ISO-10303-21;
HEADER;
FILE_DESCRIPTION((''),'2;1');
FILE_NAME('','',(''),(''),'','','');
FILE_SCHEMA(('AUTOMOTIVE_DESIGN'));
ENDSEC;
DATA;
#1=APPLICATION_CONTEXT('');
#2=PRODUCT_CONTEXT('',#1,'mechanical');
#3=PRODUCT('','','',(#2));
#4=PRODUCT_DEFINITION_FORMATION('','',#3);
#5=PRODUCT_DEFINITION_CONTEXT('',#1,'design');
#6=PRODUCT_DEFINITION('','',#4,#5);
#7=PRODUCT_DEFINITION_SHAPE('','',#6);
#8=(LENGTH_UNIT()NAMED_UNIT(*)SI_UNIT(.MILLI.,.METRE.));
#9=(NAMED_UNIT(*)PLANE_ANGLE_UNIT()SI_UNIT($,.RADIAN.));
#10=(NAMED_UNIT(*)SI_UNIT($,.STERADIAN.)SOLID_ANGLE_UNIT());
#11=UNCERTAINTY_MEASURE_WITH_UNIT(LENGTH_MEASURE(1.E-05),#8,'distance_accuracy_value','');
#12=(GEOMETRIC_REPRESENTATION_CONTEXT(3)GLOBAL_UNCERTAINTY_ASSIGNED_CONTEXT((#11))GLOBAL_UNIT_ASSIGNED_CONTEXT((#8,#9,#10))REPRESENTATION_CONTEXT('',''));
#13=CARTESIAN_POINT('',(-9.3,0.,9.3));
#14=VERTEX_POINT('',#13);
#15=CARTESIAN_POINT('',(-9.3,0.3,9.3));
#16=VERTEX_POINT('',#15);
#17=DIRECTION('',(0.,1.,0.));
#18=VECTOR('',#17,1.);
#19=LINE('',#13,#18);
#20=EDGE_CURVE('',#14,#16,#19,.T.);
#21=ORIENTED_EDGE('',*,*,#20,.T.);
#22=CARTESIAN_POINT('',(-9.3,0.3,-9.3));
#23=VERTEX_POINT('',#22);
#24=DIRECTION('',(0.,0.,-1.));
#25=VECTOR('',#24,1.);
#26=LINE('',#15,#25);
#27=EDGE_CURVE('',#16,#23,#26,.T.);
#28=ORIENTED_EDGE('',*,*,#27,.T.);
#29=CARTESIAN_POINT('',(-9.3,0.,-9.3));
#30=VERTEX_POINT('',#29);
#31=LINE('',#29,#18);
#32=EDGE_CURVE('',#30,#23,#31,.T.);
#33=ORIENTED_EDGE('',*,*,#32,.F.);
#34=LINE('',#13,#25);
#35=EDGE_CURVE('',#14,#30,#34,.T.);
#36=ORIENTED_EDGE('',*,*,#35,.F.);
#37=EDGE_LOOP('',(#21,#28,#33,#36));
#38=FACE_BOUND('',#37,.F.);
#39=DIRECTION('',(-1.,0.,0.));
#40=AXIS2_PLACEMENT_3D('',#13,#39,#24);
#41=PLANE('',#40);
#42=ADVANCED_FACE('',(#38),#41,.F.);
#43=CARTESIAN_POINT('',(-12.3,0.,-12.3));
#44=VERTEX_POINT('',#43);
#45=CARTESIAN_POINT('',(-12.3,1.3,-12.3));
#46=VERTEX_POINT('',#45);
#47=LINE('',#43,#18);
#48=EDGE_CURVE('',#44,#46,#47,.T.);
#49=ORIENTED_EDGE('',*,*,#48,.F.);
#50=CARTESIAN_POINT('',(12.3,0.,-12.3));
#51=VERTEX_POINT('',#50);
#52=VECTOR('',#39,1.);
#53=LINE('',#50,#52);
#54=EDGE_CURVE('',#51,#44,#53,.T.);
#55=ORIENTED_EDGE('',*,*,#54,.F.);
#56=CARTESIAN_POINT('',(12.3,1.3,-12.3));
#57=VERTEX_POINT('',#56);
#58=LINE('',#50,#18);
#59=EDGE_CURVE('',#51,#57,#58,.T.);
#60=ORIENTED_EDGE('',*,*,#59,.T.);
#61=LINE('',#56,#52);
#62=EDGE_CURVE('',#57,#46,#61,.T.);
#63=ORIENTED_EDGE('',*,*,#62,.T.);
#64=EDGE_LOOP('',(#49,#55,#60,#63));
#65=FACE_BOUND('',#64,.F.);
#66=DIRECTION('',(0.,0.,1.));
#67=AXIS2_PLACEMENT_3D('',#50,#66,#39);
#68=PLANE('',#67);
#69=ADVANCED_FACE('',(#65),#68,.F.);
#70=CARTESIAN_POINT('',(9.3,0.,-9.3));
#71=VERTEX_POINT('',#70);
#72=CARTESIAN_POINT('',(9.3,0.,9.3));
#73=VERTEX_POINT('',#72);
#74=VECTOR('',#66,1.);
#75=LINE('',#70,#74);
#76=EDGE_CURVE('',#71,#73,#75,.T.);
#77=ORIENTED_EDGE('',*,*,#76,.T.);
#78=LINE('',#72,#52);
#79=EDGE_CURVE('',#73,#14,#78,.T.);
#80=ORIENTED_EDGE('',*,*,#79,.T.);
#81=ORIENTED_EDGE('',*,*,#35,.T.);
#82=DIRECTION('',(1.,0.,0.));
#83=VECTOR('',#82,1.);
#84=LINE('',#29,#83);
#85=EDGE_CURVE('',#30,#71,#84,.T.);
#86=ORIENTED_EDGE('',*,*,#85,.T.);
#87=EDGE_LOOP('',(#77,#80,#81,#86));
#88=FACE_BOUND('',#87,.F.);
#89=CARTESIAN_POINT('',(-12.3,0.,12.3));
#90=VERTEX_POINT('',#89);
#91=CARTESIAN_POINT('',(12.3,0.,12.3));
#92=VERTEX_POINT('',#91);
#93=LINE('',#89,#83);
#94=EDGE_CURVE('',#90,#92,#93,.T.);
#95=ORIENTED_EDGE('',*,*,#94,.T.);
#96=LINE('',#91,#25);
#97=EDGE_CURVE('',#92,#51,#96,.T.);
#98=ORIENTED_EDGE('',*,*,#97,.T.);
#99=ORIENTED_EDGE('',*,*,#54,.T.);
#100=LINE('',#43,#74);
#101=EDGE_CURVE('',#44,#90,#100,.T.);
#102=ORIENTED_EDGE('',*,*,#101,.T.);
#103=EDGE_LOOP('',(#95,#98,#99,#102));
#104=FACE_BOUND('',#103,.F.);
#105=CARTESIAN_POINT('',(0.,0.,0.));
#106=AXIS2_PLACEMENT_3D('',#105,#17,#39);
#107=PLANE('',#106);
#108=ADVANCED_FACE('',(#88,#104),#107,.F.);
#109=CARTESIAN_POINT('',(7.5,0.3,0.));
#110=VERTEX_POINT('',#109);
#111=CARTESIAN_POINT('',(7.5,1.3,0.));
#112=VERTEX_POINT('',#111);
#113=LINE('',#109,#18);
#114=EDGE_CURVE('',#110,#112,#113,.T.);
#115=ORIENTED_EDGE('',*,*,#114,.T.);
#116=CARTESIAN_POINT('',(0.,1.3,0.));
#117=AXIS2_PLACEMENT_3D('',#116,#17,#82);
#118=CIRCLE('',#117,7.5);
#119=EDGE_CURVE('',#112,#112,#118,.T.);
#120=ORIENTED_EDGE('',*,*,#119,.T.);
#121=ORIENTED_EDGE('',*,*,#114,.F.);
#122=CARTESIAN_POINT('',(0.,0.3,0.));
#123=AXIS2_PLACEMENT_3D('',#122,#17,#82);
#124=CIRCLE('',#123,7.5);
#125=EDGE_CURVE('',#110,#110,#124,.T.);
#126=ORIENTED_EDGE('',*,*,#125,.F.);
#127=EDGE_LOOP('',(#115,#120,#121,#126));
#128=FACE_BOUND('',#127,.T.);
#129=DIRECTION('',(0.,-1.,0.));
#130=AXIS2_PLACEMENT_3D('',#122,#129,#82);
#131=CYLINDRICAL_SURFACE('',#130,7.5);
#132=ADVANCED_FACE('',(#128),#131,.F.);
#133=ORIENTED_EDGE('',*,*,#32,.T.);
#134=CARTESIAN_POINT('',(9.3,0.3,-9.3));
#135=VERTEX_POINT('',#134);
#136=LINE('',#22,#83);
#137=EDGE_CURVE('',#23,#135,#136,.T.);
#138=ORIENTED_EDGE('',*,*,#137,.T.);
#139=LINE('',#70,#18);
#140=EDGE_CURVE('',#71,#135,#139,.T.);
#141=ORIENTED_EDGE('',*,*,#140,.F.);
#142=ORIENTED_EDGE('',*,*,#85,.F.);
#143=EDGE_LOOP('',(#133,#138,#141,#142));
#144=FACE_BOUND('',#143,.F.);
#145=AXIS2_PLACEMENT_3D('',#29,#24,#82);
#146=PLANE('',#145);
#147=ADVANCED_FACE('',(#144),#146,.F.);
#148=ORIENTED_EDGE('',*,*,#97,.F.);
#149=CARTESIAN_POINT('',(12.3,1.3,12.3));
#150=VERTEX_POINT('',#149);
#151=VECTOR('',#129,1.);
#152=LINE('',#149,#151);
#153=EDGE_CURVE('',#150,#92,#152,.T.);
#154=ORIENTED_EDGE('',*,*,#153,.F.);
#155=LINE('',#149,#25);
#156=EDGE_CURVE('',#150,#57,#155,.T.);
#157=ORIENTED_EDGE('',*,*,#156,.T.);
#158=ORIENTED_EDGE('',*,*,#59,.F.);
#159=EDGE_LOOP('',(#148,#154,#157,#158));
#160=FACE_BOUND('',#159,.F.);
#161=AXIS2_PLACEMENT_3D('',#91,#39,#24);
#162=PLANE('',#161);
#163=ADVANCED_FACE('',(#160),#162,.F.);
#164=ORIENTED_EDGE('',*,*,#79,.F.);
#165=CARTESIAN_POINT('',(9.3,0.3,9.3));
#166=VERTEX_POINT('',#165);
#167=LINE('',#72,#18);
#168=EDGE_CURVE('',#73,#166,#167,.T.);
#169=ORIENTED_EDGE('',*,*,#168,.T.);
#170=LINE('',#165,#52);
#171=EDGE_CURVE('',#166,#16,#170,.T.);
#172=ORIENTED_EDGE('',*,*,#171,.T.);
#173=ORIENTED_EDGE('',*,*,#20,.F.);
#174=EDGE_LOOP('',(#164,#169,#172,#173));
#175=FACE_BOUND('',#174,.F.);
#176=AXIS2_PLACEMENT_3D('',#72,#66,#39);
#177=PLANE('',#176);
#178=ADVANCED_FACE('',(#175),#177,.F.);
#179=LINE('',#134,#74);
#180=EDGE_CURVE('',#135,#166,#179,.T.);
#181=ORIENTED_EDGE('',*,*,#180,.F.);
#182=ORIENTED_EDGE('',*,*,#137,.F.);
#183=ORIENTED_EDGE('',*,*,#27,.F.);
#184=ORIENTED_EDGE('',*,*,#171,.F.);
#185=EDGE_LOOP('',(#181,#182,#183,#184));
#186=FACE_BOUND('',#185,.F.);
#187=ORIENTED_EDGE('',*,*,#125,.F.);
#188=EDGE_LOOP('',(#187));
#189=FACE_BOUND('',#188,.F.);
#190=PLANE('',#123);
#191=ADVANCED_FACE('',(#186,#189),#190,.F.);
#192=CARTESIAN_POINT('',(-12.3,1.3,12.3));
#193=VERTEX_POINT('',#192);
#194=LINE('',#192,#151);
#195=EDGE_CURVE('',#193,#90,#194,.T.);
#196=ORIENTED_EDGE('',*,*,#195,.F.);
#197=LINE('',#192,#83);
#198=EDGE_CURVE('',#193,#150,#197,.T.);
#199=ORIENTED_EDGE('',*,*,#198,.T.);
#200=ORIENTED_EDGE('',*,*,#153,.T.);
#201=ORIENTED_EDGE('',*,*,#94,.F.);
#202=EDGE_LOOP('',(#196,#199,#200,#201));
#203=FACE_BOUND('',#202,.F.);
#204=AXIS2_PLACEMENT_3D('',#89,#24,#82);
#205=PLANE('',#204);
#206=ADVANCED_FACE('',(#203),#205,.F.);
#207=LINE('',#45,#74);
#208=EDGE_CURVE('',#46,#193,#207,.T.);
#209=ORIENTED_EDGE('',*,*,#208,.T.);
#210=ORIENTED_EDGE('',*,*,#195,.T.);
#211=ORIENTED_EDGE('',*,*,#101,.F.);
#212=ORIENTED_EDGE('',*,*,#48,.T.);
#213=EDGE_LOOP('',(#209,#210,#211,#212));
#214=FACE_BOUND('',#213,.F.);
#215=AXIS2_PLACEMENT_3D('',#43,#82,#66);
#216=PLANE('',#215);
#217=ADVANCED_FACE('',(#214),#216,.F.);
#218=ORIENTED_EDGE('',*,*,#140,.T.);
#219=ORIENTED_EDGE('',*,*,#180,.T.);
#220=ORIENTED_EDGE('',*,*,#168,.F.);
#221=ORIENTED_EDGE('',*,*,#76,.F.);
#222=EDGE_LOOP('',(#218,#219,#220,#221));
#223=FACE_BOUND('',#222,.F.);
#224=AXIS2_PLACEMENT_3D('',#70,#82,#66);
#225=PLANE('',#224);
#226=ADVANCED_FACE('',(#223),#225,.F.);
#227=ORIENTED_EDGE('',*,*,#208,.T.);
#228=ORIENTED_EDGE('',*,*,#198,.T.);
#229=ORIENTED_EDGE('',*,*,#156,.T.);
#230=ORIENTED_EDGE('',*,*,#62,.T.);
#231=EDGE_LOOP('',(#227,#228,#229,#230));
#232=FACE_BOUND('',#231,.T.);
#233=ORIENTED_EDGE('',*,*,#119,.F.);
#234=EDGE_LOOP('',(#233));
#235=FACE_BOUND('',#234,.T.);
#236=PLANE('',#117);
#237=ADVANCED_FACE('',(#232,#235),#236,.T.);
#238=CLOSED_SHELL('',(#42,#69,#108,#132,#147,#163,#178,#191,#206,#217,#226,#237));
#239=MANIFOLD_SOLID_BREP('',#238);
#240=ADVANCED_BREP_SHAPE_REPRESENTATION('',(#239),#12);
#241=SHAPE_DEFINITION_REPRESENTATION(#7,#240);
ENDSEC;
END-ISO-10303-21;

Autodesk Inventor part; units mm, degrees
ref_plane "YZ Plane" through (0, 0, 0) normal (1, 0, 0) x (0, 1, 0)
ref_plane "XZ Plane" through (0, 0, 0) normal (0, 1, 0) x (-1, 0, 0)
ref_plane "XY Plane" through (0, 0, 0) normal (0, 0, 1) x (1, 0, 0)
sketch "Sketch1" plane through (0, 0, 0) normal (0, 1, 0) x (-1, 0, 0)
  line L0 (-9.3, 9.3) -> (9.3, 9.3)
  line L1 (9.3, 9.3) -> (9.3, -9.3)
  line L2 (9.3, -9.3) -> (-9.3, -9.3)
  line L3 (-9.3, -9.3) -> (-9.3, 9.3)
  line L4 (-9.3, 9.3) -> (9.3, -9.3) construction
  line L5 (9.3, 9.3) -> (-9.3, -9.3) construction
  line L6 (-12.3, -12.3) -> (12.3, -12.3)
  line L7 (12.3, -12.3) -> (12.3, 12.3)
  line L8 (12.3, 12.3) -> (-12.3, 12.3)
  line L9 (-12.3, 12.3) -> (-12.3, -12.3)
  point P0 (0, 0)
  dimension "d0" = 18.6
  dimension "d1" = 18.6
  dimension "d2" = 3
extrude "Extrusion1" add sketch "Sketch1" along normal blind 0.3
sketch "Sketch2" plane through (0, 0.3, 0) normal (0, 1, 0) x (1, 0, 0)
  line L0 (-12.3, 12.3) -> (-12.3, -12.3) projected
  line L1 (-12.3, -12.3) -> (12.3, -12.3) projected
  line L2 (12.3, -12.3) -> (12.3, 12.3) projected
  line L3 (12.3, 12.3) -> (-12.3, 12.3) projected
  line L4 (9.3, -9.3) -> (-9.3, -9.3) construction
  line L5 (-9.3, -9.3) -> (-9.3, 9.3) construction
  line L6 (-9.3, 9.3) -> (9.3, 9.3) construction
  line L7 (9.3, 9.3) -> (9.3, -9.3) construction
  circle A0 centre (0, 0) radius 7.5
  dimension "d5" = 15
extrude "Extrusion2" add sketch "Sketch2" along normal blind 1
properties part number "Silicone_Spreader_3DPrint"
